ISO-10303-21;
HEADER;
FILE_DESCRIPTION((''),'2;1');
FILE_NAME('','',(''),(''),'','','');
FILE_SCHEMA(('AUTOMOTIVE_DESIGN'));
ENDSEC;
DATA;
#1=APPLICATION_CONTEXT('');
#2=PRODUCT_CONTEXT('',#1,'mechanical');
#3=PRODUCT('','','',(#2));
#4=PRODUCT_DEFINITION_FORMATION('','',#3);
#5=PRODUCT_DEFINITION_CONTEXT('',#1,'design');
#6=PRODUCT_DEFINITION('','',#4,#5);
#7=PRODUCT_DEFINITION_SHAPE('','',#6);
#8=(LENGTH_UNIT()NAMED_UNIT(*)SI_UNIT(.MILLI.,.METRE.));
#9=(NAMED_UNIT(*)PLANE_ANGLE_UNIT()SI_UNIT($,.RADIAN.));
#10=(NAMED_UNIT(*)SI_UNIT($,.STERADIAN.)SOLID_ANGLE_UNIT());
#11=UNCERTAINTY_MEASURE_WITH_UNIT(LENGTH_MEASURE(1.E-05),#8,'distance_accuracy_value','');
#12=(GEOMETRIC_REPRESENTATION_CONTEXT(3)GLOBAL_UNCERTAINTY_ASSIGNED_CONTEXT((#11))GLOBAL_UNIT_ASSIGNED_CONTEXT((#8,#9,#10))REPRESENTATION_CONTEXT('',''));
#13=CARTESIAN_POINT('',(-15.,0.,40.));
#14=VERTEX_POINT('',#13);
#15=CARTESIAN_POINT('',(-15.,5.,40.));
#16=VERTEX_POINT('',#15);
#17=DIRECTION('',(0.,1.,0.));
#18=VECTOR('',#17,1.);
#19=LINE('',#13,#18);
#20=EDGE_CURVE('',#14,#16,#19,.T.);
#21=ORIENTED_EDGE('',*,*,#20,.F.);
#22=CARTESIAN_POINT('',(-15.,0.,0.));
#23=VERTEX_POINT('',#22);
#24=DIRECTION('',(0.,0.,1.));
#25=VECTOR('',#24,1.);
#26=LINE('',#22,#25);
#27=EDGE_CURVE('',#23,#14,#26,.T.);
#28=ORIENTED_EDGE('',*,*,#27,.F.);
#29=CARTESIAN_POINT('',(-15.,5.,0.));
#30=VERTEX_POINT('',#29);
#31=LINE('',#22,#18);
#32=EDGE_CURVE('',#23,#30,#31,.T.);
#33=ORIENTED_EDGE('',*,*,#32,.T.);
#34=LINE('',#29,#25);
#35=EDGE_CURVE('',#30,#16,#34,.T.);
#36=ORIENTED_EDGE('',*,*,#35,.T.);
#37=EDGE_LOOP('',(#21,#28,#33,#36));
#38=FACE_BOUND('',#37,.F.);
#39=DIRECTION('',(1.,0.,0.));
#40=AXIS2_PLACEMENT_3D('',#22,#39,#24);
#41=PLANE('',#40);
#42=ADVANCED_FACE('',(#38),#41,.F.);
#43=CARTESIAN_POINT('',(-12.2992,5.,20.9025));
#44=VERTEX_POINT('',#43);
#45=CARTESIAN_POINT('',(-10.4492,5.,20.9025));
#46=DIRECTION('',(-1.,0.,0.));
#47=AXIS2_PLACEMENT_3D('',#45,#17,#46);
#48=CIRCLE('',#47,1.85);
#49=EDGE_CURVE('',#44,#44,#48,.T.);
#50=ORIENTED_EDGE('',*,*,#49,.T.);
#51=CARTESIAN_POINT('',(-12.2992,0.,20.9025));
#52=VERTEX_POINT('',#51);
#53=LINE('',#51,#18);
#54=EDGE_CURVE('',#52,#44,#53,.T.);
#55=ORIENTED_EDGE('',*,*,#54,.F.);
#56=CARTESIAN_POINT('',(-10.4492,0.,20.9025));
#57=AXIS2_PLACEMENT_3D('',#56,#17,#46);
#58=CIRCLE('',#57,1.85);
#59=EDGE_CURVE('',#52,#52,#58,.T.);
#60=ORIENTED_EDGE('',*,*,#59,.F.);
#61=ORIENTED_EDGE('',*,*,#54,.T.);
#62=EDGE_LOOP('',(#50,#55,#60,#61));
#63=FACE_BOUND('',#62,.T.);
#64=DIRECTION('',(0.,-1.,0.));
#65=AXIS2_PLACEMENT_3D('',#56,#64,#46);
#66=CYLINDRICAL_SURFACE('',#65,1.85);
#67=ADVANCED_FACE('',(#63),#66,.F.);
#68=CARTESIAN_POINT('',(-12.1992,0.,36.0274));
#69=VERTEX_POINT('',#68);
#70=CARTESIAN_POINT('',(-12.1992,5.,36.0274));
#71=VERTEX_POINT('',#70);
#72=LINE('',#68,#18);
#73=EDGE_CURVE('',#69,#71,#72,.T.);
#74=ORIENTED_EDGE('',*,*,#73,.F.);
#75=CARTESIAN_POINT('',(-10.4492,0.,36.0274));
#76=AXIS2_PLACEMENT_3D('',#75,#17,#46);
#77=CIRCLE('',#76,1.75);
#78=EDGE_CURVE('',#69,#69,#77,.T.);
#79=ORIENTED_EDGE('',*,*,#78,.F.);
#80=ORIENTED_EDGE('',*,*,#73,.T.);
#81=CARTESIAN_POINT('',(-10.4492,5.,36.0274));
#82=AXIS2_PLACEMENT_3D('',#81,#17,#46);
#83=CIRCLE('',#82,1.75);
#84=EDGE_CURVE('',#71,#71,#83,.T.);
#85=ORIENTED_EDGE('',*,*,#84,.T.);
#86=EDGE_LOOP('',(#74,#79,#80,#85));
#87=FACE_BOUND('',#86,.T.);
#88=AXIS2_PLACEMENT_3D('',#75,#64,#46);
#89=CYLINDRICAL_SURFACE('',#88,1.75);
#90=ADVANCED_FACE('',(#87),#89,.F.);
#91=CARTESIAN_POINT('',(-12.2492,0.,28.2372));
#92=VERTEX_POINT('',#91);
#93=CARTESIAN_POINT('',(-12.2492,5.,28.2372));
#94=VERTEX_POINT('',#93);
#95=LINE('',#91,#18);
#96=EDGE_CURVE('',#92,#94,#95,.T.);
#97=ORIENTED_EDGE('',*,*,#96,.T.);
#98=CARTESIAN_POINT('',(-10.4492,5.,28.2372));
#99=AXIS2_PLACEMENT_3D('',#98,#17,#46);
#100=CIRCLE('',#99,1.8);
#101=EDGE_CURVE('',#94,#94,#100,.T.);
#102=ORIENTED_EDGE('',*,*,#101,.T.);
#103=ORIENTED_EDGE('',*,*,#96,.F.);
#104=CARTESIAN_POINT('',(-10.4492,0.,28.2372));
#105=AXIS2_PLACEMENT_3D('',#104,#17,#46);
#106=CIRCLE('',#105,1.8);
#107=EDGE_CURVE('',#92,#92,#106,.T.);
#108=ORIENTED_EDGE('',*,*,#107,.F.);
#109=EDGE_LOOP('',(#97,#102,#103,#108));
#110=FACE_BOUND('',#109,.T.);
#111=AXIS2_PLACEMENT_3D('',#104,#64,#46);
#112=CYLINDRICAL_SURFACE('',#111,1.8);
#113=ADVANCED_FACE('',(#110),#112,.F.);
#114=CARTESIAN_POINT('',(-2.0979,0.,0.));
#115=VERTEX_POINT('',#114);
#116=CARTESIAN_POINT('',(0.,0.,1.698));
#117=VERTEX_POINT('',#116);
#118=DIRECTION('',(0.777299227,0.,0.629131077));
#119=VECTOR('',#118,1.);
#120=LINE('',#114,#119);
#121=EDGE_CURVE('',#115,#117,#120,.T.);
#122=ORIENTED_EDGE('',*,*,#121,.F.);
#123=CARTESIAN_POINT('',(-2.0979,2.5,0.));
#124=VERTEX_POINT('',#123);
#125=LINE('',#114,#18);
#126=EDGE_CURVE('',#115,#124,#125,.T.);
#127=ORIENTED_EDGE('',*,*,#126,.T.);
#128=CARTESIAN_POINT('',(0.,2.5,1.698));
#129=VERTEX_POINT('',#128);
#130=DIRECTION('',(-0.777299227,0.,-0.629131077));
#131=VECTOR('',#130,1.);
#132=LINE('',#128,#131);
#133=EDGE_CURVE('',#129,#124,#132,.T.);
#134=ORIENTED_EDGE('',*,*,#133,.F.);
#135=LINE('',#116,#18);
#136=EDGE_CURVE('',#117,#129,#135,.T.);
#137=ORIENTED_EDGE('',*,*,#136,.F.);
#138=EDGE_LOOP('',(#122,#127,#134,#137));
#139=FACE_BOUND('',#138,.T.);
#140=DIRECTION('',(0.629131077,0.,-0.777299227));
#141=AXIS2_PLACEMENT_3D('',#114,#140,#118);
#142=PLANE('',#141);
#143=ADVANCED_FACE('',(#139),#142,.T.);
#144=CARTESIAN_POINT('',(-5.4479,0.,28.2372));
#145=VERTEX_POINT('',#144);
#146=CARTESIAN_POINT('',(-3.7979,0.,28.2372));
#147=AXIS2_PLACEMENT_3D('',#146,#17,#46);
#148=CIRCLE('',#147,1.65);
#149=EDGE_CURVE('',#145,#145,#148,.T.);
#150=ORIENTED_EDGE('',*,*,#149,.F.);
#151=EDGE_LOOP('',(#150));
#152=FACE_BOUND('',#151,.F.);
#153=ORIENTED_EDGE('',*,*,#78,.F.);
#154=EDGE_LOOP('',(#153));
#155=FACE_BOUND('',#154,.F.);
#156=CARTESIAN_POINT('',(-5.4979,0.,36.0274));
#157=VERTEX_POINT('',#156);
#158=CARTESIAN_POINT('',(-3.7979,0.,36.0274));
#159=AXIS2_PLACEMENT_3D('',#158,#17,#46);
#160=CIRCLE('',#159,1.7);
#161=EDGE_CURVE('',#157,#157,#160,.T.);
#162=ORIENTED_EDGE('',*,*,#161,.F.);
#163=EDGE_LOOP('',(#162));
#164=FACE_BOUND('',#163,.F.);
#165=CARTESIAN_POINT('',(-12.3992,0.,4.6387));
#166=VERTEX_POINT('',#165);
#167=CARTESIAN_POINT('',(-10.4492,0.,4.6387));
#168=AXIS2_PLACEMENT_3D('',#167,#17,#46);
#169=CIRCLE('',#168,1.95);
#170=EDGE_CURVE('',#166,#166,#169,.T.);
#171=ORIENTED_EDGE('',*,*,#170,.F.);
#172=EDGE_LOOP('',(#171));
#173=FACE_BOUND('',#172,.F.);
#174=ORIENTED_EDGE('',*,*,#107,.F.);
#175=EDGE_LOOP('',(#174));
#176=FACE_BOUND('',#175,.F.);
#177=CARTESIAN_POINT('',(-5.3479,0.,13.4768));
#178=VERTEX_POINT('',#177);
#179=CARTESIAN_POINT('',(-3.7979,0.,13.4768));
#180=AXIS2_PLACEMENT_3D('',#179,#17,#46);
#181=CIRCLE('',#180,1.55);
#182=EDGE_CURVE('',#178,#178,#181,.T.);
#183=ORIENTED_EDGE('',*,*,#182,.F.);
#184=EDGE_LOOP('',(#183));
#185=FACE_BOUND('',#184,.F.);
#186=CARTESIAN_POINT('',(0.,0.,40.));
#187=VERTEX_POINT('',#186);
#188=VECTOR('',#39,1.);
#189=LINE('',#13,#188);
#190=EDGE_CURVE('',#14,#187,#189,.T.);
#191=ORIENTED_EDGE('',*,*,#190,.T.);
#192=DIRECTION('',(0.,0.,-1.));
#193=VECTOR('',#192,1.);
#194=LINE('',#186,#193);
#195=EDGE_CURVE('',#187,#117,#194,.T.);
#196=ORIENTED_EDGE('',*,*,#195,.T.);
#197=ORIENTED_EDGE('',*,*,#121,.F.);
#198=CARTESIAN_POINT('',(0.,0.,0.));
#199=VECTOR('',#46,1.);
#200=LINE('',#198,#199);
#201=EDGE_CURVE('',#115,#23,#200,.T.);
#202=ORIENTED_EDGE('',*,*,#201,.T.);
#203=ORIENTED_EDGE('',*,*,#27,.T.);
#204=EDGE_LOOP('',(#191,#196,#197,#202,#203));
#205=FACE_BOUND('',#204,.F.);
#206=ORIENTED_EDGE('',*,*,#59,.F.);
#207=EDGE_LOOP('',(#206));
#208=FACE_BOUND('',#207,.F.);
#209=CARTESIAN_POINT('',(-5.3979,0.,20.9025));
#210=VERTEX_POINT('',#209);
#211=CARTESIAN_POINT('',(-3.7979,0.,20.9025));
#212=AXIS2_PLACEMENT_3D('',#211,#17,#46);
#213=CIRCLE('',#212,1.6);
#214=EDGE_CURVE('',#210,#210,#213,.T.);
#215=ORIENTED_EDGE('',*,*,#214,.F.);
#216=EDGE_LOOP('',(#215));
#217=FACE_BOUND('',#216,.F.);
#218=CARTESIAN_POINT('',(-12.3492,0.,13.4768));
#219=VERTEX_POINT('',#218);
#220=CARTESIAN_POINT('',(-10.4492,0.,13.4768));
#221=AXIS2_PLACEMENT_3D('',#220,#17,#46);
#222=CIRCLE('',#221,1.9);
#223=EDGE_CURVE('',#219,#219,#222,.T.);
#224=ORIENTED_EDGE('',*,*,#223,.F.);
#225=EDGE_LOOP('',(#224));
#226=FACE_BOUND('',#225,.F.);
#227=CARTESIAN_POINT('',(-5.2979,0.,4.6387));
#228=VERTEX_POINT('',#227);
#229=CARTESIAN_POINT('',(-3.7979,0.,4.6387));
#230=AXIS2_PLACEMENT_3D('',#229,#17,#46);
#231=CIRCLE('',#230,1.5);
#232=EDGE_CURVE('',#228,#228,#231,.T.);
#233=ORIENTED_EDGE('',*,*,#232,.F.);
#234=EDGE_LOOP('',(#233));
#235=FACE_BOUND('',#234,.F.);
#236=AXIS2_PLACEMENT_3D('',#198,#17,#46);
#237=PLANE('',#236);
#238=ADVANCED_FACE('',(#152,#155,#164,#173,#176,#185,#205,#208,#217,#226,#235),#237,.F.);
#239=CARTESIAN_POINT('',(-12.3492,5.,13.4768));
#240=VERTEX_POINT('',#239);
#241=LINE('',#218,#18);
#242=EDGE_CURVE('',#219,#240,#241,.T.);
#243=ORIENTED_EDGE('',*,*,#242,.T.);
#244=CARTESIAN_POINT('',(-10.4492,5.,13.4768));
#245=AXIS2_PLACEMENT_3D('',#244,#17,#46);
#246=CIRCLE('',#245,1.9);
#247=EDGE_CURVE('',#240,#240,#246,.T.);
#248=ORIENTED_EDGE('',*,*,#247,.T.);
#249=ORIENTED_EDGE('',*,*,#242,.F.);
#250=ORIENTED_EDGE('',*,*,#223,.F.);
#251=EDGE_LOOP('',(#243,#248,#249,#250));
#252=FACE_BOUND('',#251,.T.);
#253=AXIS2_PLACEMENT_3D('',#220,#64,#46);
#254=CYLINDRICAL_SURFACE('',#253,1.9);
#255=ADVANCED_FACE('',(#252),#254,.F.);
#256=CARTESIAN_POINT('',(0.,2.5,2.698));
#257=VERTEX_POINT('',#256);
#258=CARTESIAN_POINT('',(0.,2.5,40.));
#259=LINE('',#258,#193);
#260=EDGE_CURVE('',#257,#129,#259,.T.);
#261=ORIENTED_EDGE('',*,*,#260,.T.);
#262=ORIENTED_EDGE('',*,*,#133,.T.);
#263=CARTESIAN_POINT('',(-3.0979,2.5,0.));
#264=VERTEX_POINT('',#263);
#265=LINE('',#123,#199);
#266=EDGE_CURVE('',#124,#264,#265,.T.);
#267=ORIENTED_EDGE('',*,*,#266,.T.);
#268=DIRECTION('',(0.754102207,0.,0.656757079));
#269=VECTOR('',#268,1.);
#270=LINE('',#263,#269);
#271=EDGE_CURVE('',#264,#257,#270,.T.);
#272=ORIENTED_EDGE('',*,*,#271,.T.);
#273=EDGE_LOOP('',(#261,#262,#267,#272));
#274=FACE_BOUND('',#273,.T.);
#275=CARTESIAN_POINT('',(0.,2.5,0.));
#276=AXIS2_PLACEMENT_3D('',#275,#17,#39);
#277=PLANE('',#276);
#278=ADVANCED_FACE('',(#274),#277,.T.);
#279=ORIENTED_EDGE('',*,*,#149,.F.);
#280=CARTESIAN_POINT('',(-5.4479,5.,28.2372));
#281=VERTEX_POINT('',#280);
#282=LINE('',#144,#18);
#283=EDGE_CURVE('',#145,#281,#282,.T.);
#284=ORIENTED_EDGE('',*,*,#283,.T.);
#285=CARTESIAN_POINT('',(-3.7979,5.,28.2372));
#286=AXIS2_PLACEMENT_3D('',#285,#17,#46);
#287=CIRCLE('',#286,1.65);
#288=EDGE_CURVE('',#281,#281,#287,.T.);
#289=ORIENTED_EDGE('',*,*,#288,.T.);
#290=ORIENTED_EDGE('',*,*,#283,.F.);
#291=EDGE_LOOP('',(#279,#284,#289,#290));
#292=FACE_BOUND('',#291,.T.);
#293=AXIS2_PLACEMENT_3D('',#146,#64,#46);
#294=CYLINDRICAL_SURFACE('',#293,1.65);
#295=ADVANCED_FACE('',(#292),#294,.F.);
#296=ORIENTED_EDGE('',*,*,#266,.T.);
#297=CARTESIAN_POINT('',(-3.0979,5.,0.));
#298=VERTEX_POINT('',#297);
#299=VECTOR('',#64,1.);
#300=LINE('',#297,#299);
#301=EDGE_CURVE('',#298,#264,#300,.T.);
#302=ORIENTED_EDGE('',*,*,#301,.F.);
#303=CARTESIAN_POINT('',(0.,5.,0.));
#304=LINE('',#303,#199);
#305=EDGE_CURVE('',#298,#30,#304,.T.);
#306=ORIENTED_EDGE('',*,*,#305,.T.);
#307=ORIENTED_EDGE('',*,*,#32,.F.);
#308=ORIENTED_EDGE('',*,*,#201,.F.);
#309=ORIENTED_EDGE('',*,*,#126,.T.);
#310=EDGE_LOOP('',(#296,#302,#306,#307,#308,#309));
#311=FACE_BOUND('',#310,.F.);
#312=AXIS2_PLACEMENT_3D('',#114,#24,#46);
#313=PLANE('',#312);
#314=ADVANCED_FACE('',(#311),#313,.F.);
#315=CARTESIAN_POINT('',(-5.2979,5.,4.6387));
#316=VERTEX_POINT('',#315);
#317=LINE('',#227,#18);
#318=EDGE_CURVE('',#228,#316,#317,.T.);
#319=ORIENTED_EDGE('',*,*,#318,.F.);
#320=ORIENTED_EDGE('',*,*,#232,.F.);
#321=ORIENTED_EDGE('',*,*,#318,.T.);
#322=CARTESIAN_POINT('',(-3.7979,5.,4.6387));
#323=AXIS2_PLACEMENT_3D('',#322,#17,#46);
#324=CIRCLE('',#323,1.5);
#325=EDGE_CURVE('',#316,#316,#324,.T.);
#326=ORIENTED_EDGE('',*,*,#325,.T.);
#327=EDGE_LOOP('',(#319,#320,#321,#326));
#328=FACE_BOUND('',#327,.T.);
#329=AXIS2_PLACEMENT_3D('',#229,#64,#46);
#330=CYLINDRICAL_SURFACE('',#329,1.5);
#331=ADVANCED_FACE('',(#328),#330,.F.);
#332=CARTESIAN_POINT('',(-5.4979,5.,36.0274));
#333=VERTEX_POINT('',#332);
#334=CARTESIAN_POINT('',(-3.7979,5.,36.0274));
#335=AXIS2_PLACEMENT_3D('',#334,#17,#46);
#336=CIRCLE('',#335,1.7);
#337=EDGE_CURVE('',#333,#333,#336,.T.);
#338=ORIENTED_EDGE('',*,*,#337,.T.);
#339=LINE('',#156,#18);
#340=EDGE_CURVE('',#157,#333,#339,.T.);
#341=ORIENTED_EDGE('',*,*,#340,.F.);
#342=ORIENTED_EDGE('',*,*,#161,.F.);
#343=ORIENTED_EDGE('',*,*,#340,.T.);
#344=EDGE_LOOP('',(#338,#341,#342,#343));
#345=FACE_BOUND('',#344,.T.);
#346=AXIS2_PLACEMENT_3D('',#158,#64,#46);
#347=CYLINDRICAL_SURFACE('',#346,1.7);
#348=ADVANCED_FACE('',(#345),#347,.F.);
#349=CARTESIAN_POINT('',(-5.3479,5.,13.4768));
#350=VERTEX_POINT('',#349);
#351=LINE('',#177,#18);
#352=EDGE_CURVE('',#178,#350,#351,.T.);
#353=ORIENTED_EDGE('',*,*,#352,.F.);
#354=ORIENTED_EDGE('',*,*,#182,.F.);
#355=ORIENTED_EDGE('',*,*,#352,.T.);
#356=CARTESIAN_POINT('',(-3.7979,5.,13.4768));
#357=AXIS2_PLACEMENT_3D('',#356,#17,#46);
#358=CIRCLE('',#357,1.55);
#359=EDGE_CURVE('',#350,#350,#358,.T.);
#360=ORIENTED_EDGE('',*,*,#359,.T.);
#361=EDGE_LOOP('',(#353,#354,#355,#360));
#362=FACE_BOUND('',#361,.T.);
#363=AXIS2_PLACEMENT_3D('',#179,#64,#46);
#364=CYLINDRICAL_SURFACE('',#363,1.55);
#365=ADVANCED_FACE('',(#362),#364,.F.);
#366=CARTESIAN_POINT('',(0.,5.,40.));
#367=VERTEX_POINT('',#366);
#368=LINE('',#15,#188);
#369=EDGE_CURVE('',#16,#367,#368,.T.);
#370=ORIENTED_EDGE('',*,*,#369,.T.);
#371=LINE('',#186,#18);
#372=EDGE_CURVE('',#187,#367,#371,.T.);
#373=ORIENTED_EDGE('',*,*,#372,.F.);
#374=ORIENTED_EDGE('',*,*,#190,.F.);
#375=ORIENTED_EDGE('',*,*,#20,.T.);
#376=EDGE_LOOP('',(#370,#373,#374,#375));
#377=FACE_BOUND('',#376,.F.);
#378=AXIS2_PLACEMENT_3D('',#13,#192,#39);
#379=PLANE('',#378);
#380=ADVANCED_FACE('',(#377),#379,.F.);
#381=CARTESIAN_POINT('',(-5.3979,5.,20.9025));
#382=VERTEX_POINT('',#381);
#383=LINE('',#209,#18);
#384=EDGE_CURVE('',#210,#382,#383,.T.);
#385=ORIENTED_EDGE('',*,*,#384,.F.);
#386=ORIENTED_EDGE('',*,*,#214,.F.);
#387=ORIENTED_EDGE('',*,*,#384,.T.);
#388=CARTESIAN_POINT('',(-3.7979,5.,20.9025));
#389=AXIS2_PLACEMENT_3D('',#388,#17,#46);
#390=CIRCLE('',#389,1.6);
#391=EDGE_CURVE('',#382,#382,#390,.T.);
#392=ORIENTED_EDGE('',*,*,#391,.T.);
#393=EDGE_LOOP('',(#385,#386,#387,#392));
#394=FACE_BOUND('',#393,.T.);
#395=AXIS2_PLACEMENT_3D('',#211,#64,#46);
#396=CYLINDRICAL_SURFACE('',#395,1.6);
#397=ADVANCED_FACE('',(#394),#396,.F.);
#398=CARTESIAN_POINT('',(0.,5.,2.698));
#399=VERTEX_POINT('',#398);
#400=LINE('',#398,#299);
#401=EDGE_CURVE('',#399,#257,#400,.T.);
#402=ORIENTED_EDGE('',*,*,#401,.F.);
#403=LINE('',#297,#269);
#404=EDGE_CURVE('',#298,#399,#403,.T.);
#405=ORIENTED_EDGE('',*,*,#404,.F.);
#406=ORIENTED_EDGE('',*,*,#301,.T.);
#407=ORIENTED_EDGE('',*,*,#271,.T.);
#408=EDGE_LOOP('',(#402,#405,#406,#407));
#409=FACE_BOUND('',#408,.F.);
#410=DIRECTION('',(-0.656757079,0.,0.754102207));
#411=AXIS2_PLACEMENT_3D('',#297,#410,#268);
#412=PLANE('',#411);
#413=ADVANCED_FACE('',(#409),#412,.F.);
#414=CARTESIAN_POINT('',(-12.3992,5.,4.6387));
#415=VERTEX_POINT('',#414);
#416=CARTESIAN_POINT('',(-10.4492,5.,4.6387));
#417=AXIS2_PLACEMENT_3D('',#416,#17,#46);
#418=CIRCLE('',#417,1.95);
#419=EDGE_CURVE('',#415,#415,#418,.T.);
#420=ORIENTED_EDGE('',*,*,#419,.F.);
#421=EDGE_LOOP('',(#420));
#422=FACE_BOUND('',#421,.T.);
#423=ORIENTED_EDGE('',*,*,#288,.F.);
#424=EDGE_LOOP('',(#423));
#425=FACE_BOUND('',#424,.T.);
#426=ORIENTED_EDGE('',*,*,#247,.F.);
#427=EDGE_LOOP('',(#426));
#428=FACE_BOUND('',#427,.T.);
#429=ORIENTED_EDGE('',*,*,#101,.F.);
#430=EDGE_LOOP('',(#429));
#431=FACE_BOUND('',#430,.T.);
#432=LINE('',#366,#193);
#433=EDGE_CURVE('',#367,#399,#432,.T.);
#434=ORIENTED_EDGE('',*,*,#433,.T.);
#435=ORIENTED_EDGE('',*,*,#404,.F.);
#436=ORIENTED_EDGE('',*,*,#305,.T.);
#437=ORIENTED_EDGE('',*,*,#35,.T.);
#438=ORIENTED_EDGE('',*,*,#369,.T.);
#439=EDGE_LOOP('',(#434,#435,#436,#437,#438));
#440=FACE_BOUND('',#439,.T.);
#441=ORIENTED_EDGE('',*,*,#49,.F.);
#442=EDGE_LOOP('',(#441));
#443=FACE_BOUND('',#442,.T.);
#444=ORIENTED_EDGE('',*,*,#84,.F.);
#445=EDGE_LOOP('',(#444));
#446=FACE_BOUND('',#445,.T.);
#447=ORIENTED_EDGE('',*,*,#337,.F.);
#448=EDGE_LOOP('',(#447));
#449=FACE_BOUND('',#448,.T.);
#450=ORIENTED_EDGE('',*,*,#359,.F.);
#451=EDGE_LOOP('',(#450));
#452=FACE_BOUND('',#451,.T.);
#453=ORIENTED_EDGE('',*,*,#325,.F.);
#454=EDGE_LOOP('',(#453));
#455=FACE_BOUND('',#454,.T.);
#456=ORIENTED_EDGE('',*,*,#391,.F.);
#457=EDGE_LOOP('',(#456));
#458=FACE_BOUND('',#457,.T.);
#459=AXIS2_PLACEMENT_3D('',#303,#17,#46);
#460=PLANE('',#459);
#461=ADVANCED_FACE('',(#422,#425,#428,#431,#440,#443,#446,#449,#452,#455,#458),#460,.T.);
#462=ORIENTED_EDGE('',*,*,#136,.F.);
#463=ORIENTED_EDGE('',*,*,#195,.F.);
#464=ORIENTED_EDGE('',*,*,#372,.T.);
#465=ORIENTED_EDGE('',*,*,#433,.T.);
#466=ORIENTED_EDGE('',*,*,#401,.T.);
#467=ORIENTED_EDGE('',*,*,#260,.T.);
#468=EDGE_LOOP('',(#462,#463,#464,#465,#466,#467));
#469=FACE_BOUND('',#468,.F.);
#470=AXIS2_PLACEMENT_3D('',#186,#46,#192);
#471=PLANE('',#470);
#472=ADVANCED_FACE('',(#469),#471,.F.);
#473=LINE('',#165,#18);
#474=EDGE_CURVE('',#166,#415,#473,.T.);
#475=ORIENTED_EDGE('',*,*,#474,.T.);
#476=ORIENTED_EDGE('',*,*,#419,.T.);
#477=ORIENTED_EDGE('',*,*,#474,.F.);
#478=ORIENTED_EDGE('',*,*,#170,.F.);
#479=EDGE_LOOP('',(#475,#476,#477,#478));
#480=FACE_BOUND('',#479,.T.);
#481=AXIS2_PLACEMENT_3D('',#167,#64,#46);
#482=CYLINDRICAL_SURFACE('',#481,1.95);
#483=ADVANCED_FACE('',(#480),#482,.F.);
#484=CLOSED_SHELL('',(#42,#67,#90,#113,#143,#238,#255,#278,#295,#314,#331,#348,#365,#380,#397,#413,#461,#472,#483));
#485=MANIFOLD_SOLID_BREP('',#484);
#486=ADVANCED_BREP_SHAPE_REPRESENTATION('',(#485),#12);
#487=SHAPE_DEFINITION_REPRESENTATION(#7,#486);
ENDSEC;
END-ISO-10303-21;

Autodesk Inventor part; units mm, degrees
ref_plane "YZ Plane" through (0, 0, 0) normal (1, 0, 0) x (0, 1, 0)
ref_plane "XZ Plane" through (0, 0, 0) normal (0, 1, 0) x (-1, 0, 0)
ref_plane "XY Plane" through (0, 0, 0) normal (0, 0, 1) x (1, 0, 0)
sketch "Sketch1" plane through (0, 0, 0) normal (0, 1, 0) x (-1, 0, 0)
  line L0 (0, 0) -> (15, 0)
  line L1 (15, 0) -> (15, 40)
  line L2 (15, 40) -> (0, 40)
  line L3 (0, 40) -> (0, 0)
  circle A0 centre (3.7979, 4.6387) radius 1.5
  circle A1 centre (3.7979, 13.4768) radius 1.55
  circle A2 centre (3.7979, 20.9025) radius 1.6
  circle A3 centre (3.7979, 28.2372) radius 1.65
  circle A4 centre (3.7979, 36.0274) radius 1.7
  circle A5 centre (10.4492, 36.0274) radius 1.75
  circle A6 centre (10.4492, 28.2372) radius 1.8
  circle A7 centre (10.4492, 20.9025) radius 1.85
  circle A8 centre (10.4492, 13.4768) radius 1.9
  circle A9 centre (10.4492, 4.6387) radius 1.95
  line L4 (2.0979, 0) -> (0, 1.698)
  point P0 (7.5, 40)
  dimension "d0" = 3
  dimension "d1" = 3.1
  dimension "d2" = 3.2
  dimension "d3" = 3.3
  dimension "d4" = 3.4
  dimension "d5" = 3.5
  dimension "d6" = 3.6
  dimension "d7" = 3.7
  dimension "d8" = 3.8
  dimension "d9" = 3.9
  dimension "d10" = 40
  dimension "d11" = 15
extrude "Extrusion1" add sketch "Sketch1" along normal blind 5 contours L4 L3 L2 L1 L0
sketch "Sketch2" plane through (0, 5, 0) normal (0, 1, 0) x (1, 0, 0)
  line L0 (0, -40) -> (0, -1.698) projected
  line L1 (0, -1.698) -> (-2.0979, 0) projected
  line L2 (-2.0979, 0) -> (0, -1.698)
  line L3 (0, -1.698) -> (0, -2.698)
  line L4 (-2.0979, 0) -> (-3.0979, 0)
  line L5 (-2.0979, 0) -> (-15, 0) projected
  line L6 (-3.0979, 0) -> (0, -2.698)
  point P0 (0, 0)
  dimension "d14" = 1
  dimension "d15" = 1
extrude "Extrusion2" cut sketch "Sketch2" against normal blind 2.5
properties part number "m3_sizing_tests"
